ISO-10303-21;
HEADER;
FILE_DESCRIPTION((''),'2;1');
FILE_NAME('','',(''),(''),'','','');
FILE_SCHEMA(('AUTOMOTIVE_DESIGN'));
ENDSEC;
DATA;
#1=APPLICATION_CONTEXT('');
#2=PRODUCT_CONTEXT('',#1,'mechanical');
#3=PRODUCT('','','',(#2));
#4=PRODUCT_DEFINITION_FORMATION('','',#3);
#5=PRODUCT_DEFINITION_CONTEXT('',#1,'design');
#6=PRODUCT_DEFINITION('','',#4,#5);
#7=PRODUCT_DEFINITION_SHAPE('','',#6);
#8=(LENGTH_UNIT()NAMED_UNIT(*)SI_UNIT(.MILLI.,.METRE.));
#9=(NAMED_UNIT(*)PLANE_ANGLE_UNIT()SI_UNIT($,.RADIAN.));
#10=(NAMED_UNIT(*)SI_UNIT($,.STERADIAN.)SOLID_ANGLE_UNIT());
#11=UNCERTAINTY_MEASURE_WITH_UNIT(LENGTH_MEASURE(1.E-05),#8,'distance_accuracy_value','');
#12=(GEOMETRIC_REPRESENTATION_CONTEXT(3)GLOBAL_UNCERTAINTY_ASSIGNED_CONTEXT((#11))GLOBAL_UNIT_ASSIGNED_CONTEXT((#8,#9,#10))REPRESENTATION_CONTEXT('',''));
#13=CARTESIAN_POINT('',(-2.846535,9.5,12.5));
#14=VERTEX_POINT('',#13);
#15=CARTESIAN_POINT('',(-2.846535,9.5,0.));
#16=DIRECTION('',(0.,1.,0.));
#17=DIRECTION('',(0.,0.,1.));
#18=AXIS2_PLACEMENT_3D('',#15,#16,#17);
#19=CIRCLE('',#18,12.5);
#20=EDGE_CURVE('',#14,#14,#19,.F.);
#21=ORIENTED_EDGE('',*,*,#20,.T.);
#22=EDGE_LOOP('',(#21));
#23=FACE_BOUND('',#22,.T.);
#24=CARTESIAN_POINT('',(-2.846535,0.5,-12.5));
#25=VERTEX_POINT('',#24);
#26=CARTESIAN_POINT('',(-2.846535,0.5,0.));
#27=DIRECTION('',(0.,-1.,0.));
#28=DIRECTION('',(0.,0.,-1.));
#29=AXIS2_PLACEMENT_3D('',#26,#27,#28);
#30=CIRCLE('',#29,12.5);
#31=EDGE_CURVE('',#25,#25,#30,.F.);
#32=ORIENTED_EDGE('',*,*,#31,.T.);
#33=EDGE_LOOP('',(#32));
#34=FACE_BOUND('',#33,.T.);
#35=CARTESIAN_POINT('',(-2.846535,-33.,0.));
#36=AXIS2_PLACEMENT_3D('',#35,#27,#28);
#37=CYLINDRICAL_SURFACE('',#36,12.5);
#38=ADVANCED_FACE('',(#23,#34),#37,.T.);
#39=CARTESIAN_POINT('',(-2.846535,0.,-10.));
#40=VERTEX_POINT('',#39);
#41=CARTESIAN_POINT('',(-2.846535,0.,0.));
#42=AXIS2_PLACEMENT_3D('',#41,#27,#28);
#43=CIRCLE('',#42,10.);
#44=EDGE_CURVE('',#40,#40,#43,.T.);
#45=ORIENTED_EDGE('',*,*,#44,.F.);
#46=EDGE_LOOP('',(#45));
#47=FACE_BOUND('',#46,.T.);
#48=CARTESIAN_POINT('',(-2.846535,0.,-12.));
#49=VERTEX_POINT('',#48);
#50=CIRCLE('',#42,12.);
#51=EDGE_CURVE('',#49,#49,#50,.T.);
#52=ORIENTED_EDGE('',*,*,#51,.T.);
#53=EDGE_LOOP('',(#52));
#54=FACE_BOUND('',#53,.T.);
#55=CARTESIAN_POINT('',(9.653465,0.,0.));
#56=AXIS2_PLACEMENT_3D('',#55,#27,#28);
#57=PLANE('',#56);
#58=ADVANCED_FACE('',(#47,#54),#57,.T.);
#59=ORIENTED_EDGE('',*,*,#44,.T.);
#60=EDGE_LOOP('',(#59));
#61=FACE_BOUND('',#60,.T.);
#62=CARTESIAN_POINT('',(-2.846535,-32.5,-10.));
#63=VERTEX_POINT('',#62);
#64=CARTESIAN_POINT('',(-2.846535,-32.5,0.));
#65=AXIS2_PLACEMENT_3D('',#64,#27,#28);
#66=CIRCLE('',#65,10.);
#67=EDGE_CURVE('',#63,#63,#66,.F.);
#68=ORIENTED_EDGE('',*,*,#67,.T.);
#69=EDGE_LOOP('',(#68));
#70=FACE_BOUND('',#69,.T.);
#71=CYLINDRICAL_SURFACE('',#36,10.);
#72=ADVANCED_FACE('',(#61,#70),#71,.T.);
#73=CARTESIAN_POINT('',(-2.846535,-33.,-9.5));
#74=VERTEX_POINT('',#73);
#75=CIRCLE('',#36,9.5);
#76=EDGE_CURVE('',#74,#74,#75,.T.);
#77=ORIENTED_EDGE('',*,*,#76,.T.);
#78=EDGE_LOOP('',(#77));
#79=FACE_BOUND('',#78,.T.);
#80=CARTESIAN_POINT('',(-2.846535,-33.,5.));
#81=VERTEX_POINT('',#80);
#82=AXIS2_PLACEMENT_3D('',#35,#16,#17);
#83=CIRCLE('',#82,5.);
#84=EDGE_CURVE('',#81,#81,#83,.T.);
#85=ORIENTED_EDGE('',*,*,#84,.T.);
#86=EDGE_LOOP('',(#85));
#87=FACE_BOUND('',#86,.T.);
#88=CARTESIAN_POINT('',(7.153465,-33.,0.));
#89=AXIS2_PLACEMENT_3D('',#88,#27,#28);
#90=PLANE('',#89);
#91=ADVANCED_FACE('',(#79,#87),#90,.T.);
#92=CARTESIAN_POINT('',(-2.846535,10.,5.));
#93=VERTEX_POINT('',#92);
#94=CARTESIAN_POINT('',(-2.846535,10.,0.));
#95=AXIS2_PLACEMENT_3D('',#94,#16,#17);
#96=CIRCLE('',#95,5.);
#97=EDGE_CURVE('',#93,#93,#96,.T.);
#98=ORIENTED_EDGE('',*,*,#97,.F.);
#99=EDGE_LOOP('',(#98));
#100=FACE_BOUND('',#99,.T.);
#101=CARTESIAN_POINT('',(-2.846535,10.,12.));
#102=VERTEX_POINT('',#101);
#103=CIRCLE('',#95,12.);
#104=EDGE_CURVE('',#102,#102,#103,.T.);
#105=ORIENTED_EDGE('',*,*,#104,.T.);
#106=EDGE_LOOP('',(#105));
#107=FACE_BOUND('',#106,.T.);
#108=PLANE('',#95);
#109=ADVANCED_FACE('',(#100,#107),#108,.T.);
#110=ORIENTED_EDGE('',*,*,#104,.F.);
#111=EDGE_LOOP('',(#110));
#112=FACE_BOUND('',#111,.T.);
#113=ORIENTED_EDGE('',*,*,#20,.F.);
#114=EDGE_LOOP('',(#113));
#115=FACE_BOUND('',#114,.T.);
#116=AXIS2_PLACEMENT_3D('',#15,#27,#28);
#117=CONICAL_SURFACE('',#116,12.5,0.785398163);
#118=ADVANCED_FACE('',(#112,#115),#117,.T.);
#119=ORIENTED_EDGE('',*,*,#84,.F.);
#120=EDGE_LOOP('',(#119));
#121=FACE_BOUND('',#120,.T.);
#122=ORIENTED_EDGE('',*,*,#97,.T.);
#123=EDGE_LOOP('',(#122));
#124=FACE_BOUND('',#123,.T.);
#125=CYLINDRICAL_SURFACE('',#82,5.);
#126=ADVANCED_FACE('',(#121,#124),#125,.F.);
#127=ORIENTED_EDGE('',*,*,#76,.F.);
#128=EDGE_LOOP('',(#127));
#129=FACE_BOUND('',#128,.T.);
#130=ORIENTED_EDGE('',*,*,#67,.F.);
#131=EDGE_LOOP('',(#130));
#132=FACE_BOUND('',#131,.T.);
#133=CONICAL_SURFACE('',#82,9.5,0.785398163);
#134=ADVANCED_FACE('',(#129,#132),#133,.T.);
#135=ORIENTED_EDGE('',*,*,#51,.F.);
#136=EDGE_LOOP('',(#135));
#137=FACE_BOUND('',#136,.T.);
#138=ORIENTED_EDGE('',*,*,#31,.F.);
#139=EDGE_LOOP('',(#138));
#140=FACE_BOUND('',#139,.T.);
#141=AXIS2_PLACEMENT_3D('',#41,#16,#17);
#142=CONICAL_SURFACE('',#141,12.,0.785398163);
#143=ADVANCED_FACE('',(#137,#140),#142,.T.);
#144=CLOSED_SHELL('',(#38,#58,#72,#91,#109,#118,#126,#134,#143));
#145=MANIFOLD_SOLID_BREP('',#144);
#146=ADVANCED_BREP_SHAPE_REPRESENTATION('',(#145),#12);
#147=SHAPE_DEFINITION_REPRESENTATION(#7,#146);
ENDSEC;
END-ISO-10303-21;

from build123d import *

# Parameters (mm, degrees)
SKETCH2_R          = 5
CUT_EXTRUDE1_DEPTH = 44
CHAMFER1_SIZE      = 0.5


with BuildPart() as part:
    # Sketch1 → Revolve1 (revolve)
    with BuildSketch(Plane.XY):
        Polygon((-2.846534653, 10), (9.653465347, 10), (9.653465347, 0), (7.153465347, 0), (7.153465347, -33), (-2.846534653, -33), align=None)
    revolve(axis=Axis((-2.846534653, -33, 0), (0, 1, 0)))

    # Sketch2 → Cut-Extrude1 (cut, through all)
    with BuildSketch(Plane(origin=(0, 10, 0), x_dir=(1, 0, 0), z_dir=(0, 1, 0))):
        with Locations((-2.846534653, 0)):
            Circle(SKETCH2_R)
    extrude(amount=-CUT_EXTRUDE1_DEPTH, mode=Mode.SUBTRACT)

    # Chamfer1
    chamfer1_edges = [part.edges().sort_by_distance(p)[0] for p in [
        (-12.846534653, -33, 0),
        (-15.346534653, 0, 0),
        (-15.346534653, 10, 0),
    ]]
    chamfer(chamfer1_edges, length=CHAMFER1_SIZE)


solid = part.part
